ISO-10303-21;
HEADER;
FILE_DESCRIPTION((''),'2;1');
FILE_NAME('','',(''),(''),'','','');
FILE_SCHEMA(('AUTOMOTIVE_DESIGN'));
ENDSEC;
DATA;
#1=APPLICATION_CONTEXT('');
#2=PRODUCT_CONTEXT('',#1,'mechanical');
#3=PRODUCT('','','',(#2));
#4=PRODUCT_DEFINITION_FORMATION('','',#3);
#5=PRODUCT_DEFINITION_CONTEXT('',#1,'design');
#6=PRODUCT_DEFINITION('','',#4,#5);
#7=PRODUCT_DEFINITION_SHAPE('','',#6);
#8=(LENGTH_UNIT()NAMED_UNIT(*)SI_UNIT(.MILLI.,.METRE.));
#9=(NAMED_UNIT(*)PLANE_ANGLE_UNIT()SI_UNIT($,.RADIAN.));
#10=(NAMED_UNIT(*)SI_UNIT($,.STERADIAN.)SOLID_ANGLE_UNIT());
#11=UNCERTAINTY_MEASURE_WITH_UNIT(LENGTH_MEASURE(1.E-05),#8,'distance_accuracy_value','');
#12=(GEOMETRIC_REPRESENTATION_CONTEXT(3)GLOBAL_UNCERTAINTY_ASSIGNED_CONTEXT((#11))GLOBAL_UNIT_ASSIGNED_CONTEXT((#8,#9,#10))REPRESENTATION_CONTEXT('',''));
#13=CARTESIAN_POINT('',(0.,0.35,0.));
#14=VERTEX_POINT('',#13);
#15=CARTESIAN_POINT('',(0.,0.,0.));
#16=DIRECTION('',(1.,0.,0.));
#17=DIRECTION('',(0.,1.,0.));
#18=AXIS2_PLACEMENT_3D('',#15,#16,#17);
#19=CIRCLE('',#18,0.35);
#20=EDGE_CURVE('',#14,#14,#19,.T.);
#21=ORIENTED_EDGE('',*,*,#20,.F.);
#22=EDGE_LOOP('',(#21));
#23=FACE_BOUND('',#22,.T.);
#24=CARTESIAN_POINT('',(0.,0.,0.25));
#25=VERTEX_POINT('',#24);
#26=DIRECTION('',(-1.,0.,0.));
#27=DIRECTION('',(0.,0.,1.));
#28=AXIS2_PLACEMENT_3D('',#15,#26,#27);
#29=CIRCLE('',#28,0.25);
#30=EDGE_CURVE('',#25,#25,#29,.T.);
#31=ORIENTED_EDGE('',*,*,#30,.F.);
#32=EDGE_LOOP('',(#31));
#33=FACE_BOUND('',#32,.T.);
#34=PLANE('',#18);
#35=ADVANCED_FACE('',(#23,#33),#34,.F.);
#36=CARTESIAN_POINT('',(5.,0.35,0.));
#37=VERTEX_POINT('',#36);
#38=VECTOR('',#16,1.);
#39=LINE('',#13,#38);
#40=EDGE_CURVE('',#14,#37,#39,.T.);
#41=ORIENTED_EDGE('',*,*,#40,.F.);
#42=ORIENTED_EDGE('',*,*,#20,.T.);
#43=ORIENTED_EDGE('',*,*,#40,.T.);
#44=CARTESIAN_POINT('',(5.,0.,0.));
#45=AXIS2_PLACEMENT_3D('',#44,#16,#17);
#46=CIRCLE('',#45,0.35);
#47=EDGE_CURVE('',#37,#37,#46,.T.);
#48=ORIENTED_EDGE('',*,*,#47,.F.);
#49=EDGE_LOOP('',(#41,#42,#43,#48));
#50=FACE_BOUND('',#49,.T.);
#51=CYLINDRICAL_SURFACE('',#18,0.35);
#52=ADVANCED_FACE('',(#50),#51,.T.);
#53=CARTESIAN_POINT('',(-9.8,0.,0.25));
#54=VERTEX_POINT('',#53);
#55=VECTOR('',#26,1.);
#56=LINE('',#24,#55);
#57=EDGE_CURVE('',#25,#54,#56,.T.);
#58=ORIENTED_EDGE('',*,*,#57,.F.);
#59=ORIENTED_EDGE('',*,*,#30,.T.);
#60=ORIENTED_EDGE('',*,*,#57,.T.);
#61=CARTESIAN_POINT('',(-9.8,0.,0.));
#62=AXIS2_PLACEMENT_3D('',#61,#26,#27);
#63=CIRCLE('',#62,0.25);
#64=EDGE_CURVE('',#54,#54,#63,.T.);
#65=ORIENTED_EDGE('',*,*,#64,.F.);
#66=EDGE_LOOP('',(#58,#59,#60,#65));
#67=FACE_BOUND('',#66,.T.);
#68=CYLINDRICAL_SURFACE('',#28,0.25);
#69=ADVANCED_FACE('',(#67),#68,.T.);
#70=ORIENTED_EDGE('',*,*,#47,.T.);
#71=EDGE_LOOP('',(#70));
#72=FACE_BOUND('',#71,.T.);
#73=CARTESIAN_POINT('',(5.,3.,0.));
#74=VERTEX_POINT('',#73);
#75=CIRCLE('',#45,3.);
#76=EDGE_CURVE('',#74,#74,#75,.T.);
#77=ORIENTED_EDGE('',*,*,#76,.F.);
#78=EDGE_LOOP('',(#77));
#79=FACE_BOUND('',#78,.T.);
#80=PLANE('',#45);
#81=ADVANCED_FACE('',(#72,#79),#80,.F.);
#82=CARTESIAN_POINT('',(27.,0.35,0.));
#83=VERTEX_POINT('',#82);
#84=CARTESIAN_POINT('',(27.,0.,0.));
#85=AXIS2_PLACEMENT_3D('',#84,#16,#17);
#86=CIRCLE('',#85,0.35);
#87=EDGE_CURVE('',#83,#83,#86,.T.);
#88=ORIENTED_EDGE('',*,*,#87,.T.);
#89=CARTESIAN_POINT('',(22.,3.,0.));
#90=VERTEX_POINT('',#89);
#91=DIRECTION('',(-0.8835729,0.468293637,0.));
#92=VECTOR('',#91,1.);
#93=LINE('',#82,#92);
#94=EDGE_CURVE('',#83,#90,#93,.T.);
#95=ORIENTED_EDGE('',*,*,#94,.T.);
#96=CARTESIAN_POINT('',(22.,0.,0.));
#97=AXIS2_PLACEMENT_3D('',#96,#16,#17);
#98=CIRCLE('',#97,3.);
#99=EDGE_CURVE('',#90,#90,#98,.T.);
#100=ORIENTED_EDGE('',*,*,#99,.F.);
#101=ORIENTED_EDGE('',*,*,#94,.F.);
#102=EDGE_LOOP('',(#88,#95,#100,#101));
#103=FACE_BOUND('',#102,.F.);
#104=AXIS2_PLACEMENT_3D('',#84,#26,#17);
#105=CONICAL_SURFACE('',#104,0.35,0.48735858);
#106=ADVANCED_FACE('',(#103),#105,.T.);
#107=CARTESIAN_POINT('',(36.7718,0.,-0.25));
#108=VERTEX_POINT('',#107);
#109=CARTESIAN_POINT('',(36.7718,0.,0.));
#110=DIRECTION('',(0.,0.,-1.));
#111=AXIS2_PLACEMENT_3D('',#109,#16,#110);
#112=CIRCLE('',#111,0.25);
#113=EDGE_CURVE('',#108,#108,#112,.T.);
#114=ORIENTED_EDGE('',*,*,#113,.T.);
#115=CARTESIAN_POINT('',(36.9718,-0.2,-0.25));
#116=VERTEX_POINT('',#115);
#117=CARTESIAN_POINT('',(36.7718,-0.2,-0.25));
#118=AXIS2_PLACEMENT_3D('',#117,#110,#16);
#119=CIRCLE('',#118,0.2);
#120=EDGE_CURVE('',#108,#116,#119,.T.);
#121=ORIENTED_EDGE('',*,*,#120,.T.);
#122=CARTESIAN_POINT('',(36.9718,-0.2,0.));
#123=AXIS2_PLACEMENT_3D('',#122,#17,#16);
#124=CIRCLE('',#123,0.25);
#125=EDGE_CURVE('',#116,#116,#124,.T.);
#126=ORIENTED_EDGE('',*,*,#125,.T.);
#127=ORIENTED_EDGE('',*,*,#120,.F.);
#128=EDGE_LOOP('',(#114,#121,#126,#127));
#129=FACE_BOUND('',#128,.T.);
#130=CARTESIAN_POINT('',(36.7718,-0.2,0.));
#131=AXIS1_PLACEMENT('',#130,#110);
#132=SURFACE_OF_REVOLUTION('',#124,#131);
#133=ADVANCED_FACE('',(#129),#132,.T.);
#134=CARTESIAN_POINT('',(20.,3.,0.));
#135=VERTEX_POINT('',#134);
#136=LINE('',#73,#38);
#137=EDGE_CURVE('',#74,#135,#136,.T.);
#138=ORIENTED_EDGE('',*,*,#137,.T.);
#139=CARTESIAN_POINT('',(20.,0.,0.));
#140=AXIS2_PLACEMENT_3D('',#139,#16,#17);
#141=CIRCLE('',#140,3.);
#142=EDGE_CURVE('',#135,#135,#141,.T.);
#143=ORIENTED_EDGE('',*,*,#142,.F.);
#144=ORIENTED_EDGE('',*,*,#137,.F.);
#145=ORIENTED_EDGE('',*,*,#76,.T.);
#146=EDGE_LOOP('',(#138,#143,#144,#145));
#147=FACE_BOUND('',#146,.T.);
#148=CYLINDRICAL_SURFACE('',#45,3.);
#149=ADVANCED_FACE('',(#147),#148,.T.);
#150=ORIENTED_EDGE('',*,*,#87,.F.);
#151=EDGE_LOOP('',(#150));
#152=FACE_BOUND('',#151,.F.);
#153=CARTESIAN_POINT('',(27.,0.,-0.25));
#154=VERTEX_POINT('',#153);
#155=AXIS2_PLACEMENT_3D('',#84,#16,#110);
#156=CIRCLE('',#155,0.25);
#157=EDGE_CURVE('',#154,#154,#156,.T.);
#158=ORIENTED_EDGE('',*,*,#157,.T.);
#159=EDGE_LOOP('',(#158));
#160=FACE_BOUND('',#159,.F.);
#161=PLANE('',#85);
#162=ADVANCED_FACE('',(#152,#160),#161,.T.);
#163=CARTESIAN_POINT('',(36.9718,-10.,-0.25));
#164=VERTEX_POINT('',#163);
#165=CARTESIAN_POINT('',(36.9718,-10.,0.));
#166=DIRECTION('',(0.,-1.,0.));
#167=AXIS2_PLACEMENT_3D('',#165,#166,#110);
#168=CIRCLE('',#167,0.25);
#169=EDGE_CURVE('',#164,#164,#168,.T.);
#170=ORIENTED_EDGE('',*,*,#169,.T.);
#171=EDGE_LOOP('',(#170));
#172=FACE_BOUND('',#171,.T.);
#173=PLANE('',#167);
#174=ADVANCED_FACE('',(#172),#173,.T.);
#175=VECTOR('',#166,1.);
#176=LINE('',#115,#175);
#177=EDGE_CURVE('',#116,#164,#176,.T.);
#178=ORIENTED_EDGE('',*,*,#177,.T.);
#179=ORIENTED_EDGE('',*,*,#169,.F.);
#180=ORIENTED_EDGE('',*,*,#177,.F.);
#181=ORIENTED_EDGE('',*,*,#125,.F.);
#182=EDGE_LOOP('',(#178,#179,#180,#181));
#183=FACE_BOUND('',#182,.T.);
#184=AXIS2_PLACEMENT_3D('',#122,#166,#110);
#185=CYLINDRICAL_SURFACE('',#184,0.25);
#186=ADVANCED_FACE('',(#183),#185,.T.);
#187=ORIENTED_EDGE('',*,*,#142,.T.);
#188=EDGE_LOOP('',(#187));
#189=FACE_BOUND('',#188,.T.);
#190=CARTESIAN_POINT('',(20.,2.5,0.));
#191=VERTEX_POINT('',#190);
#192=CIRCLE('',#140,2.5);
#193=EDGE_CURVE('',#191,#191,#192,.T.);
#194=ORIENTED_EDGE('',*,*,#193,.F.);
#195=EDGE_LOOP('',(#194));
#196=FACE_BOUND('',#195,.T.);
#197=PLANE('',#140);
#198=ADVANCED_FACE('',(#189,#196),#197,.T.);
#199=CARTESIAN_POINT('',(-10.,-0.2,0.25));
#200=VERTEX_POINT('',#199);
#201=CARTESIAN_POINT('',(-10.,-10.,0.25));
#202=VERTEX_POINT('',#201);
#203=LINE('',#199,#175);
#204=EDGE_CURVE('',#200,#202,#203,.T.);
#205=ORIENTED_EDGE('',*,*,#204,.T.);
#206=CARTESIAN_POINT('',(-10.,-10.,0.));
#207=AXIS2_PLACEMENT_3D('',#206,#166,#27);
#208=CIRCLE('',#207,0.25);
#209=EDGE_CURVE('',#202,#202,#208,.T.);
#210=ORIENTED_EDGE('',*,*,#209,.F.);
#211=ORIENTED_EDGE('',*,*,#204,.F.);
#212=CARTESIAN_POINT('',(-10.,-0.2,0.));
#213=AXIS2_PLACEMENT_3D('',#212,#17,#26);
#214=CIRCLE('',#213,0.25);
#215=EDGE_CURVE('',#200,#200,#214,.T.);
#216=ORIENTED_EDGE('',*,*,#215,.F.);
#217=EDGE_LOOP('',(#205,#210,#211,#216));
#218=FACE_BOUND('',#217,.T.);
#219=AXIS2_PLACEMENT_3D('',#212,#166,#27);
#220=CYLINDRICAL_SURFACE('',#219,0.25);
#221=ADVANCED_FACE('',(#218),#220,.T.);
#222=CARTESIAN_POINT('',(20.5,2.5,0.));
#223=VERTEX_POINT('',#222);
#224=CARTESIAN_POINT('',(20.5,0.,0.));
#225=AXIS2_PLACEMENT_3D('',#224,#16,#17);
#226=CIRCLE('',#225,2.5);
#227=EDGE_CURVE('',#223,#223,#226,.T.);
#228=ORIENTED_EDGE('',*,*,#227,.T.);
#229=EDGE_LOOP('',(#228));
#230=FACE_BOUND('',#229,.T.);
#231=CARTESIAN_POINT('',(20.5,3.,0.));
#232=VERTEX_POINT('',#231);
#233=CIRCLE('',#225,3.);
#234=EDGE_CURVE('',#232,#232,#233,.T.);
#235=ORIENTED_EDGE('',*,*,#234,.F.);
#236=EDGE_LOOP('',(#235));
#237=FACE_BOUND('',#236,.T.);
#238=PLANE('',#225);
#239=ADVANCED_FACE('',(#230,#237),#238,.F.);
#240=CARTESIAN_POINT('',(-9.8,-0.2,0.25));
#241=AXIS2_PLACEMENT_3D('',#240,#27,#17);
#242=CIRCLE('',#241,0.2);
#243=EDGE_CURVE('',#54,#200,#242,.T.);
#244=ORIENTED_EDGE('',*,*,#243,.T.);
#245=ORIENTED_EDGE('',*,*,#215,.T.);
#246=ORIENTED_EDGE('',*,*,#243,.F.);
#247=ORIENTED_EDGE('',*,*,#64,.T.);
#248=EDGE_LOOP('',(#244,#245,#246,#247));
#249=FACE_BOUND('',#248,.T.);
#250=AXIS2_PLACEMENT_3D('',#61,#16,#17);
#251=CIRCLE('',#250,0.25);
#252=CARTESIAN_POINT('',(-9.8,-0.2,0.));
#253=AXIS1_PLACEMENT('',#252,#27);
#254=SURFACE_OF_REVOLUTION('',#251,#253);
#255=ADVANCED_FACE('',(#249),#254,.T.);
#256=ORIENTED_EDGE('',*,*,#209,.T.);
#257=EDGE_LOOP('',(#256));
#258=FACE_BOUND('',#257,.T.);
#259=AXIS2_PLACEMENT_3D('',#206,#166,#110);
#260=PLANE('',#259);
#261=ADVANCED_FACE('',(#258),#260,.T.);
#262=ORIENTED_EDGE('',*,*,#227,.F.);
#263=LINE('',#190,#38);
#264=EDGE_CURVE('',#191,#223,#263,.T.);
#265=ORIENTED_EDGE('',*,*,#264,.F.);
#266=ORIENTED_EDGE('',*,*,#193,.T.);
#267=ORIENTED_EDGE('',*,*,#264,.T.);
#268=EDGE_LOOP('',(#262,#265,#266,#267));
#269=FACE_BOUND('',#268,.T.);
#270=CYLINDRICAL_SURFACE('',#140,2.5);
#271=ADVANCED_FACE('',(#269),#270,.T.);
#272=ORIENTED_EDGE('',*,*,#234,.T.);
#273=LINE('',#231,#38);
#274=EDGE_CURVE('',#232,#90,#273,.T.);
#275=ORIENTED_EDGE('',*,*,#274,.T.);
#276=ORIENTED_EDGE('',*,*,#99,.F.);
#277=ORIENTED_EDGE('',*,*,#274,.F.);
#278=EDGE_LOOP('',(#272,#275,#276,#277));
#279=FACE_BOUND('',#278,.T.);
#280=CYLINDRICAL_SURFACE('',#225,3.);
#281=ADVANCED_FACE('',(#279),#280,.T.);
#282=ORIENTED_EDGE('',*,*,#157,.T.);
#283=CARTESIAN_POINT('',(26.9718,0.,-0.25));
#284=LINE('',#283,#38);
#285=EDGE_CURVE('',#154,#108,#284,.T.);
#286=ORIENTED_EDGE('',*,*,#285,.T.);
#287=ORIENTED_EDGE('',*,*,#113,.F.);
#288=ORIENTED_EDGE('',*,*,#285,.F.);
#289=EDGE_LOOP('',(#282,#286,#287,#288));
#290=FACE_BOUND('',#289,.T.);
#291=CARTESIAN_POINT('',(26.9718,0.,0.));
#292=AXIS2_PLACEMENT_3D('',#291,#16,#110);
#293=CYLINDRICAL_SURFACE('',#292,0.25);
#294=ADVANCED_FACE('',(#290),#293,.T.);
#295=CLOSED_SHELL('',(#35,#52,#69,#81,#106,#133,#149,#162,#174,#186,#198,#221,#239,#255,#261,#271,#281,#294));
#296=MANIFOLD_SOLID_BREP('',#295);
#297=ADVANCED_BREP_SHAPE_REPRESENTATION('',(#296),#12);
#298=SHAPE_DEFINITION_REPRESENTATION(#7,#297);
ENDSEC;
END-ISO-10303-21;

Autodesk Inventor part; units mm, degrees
ref_plane "YZ Plane" through (0, 0, 0) normal (1, 0, 0) x (0, 1, 0)
ref_plane "XZ Plane" through (0, 0, 0) normal (0, 1, 0) x (-1, 0, 0)
ref_plane "XY Plane" through (0, 0, 0) normal (0, 0, 1) x (1, 0, 0)
sketch "Sketch1" plane through (0, 0, 0) normal (0, 0, 1) x (1, 0, 0)
  line L0 (0, 0) -> (0, 0.35)
  line L1 (0, 0.35) -> (5, 0.35)
  line L2 (5, 0.35) -> (5, 3)
  line L3 (5, 3) -> (20, 3)
  line L4 (20, 3) -> (20, 2.5)
  line L5 (20, 2.5) -> (20.5, 2.5)
  line L6 (20.5, 2.5) -> (20.5, 3)
  line L7 (20.5, 3) -> (22, 3)
  line L8 (0, 0) -> (27, 0)
  line L9 (27, 0) -> (27, 0.35)
  line L10 (27, 0.35) -> (22, 3)
  dimension "d0" = 0.35
  dimension "d1" = 5
  dimension "d2" = 2.65
  dimension "d3" = 15
  dimension "d4" = 0.5
  dimension "d5" = 0.5
  dimension "d6" = 0.5
  dimension "d7" = 1.5
  dimension "d8" = 27
  dimension "d9" = 0.35
revolve "Revolution1" add sketch "Sketch1" angle 360 about axis through (0, 0, 0) along (1, 0, 0)
ref_plane "Work Plane1" through (27, 0, 0) normal (1, 0, 0) x (0, 0, -1)
sketch "Sketch2" plane through (27, 0, 0) normal (1, 0, 0) x (0, 0, -1)
  circle A0 centre (0, 0) radius 0.25
  dimension "d12" = 0.5
ref_plane "Work Plane2" through (0, 0, 0) normal (-1, 0, 0) x (0, 0, 1)
sketch "Sketch3" plane through (0, 0, 0) normal (-1, 0, 0) x (0, 0, 1)
  circle A0 centre (0, 0) radius 0.25
  dimension "d14" = 0.5
sketch "Sketch4" plane through (0, 0, 0) normal (0, 0, 1) x (1, 0, 0)
  line L0 (0, 0) -> (-9.8, 0)
  line L1 (-10, -0.2) -> (-10, -10)
  line L2 (26.9718, 0) -> (36.7718, 0)
  line L3 (36.9718, -0.2) -> (36.9718, -10)
  arc A0 (-9.8, 0) -> (-10, -0.2) centre (-9.8, -0.2) ccw
  arc A1 (36.9718, -0.2) -> (36.7718, 0) centre (36.7718, -0.2) ccw
  point P0 (-10, 0)
  point P1 (36.9718, 0)
  dimension "d15" = 10
  dimension "d16" = 10
  dimension "d17" = 10
  dimension "d18" = 10
  dimension "d19" = 0.2
sweep "Sweep1" add profiles "Sketch2" path "Sketch4" path curves L2 A1 L3
sweep "Sweep2" add profiles "Sketch3" path "Sketch4" path curves L0 A0 L1
equation "\"BendRadius\" = Thickness"
equation "\"BendReliefWidth\" = Thickness"
equation "\"BendReliefDepth\" = 0.5 * Thickness"
equation "\"CornerReliefSize\" = 4 * Thickness"
equation "\"MinimumRemnant\" = 2 * Thickness"
equation "\"TransitionRadius\" = BendRadius"
equation "\"JacobiRadiusSize\" = BendRadius"
equation "\"GapSize\" = Thickness"
equation "\"Thickness\" = 3.048"
properties part number "k50-29"
